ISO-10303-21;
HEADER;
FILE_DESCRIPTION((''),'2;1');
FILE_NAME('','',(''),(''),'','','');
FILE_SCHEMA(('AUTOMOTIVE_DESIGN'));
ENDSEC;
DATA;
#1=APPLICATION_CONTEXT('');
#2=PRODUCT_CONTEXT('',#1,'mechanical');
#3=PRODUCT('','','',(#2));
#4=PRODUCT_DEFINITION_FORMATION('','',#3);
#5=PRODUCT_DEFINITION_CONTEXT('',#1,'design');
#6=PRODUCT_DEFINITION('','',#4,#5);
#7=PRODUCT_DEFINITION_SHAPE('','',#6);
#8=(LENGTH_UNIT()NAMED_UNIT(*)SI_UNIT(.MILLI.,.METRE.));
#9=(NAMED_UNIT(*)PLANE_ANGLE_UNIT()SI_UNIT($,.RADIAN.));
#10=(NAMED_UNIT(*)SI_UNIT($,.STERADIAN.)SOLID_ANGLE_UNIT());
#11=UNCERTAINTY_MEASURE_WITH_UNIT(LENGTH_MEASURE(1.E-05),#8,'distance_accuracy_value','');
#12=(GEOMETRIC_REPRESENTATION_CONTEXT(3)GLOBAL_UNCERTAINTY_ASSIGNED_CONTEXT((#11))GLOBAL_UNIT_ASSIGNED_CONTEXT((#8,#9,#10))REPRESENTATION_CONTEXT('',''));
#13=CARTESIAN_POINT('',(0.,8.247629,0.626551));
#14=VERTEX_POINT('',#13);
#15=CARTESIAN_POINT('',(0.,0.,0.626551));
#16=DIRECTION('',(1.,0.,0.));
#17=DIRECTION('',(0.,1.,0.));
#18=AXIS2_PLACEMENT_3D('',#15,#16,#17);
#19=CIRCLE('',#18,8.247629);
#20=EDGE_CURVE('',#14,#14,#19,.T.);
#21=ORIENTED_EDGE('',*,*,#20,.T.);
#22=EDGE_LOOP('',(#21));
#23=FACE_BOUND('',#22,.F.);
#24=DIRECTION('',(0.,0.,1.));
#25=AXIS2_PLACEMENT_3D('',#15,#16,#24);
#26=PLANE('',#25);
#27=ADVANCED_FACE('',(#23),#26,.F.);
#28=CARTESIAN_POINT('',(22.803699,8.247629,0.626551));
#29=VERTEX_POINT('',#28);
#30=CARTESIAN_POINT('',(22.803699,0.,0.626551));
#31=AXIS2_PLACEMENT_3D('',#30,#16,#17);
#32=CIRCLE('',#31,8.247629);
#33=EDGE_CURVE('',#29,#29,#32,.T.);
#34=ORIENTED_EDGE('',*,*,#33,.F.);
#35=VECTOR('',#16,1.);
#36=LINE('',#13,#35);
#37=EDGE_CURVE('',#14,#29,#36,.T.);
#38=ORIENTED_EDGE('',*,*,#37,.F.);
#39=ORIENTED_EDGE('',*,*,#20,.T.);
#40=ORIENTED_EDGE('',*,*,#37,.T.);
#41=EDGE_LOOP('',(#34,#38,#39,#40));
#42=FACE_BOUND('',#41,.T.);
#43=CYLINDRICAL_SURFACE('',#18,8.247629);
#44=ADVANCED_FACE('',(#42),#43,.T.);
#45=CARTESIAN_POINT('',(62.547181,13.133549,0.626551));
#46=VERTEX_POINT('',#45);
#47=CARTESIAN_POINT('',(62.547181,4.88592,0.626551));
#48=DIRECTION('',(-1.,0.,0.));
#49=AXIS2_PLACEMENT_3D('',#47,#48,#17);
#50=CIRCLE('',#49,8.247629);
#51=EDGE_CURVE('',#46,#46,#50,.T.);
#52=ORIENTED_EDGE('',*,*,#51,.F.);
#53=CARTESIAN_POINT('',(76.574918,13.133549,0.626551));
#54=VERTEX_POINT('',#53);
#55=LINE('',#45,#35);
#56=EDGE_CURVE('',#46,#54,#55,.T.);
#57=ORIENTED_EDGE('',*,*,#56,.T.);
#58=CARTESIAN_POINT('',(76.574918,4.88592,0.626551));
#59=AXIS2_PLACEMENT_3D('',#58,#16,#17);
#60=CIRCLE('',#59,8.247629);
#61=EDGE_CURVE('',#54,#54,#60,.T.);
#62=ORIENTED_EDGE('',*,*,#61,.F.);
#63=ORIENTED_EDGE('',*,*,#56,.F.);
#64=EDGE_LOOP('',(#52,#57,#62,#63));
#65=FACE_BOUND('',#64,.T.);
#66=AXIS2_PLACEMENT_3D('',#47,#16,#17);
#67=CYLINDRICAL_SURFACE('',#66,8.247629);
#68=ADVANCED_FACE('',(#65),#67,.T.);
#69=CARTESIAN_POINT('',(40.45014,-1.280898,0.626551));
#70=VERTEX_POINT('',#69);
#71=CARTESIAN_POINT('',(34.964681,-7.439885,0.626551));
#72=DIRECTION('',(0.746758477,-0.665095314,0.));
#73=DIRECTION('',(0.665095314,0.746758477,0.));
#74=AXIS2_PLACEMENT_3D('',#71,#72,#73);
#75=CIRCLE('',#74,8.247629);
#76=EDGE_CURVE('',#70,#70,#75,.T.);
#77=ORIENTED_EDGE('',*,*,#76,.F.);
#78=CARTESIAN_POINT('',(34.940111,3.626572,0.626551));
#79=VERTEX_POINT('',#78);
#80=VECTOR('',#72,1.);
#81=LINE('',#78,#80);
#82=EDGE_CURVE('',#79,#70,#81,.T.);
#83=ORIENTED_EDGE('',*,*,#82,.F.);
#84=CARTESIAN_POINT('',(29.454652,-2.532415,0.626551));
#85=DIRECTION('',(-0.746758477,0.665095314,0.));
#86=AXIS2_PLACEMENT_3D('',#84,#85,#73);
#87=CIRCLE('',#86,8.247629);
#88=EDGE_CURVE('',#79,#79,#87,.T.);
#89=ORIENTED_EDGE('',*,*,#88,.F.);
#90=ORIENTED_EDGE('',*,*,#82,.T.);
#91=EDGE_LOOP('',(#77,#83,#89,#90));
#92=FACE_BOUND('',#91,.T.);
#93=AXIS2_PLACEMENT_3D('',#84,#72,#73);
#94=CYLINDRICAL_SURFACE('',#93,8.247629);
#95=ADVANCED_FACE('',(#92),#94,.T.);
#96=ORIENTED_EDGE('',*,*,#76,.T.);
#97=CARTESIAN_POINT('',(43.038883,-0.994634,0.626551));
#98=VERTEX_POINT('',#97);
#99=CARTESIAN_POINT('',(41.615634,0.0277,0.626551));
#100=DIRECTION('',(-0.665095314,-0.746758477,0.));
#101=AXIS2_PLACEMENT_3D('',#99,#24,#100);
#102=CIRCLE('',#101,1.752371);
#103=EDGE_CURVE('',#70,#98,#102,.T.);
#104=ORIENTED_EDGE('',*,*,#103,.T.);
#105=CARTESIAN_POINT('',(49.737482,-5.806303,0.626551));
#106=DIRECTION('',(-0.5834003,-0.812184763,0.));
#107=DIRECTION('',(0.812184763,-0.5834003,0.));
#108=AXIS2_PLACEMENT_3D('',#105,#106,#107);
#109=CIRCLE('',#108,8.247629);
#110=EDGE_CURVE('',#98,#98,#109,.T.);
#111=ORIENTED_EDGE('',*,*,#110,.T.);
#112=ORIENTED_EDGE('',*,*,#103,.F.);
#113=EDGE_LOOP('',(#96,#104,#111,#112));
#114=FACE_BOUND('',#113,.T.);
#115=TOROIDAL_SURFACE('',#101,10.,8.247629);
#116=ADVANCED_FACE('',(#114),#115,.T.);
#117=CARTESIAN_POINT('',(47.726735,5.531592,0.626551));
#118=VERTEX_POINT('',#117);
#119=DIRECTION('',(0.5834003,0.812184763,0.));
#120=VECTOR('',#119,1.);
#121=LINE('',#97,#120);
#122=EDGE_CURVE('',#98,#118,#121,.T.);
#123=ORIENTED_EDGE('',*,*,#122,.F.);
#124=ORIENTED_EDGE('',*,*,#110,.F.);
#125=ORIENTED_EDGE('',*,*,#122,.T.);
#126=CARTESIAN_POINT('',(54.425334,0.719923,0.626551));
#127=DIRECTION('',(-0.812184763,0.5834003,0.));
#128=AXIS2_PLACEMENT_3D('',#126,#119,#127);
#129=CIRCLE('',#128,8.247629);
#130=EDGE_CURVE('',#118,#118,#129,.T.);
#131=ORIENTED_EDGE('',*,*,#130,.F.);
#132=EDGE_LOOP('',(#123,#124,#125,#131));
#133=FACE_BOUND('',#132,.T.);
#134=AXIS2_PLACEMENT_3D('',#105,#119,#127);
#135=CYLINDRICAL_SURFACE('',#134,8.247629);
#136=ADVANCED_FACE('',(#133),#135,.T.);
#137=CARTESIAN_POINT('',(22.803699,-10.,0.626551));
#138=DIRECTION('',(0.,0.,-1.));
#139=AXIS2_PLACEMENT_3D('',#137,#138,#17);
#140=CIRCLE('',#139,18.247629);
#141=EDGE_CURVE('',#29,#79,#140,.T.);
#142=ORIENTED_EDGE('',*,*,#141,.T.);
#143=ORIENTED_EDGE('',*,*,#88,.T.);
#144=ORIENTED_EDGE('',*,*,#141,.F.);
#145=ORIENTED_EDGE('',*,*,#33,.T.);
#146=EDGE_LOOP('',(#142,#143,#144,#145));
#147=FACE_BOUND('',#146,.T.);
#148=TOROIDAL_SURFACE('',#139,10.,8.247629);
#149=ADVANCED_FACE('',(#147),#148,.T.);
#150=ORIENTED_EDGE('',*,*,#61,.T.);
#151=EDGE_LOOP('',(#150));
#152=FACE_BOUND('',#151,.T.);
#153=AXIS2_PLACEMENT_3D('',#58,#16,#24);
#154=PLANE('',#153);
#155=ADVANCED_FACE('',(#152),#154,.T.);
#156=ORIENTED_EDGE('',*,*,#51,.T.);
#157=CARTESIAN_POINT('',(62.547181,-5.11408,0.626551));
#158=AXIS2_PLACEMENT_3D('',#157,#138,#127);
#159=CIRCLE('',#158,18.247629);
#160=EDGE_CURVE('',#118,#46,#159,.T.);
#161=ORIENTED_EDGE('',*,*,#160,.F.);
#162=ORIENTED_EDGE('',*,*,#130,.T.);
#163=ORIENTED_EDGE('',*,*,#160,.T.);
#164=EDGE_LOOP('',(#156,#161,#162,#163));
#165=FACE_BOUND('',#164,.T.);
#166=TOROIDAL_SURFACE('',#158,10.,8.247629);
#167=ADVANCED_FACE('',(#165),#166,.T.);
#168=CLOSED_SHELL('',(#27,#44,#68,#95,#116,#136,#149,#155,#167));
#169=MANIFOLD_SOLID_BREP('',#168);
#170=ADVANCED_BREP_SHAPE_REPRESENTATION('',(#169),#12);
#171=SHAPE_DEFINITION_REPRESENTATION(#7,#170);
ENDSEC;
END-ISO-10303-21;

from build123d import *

# Parameters (mm, degrees)
F1_R = 8.2476289187


with BuildPart() as f2:
    # F2: sweep along a path in F0
    with BuildLine(Plane.XY) as f2_path:
        Line((0, 0), (22.8036989728, 0))
        ThreePointArc((22.8036989728, 0), (26.3620800859, -0.654523883), (29.4546521144, -2.5324152293))
        Line((29.4546521144, -2.5324152293), (34.9646809106, -7.4398845729))
        ThreePointArc((34.9646809106, -7.4398845729), (42.7147382317, -9.9117147751), (49.7374816838, -5.8063028062))
        Line((49.7374816838, -5.8063028062), (54.4253336324, 0.7199227064))
        ThreePointArc((54.4253336324, 0.7199227064), (57.9831934265, 3.7836730717), (62.5471812639, 4.8859197024))
        Line((62.5471812639, 4.8859197024), (76.5749181523, 4.8859197024))
    # F1 (on Right) → F2 (sweep)
    with BuildSketch(Plane.YZ):
        with Locations((0, 0.6265509874)):
            Circle(F1_R)
    sweep(path=f2_path.line)


solid = f2.part
